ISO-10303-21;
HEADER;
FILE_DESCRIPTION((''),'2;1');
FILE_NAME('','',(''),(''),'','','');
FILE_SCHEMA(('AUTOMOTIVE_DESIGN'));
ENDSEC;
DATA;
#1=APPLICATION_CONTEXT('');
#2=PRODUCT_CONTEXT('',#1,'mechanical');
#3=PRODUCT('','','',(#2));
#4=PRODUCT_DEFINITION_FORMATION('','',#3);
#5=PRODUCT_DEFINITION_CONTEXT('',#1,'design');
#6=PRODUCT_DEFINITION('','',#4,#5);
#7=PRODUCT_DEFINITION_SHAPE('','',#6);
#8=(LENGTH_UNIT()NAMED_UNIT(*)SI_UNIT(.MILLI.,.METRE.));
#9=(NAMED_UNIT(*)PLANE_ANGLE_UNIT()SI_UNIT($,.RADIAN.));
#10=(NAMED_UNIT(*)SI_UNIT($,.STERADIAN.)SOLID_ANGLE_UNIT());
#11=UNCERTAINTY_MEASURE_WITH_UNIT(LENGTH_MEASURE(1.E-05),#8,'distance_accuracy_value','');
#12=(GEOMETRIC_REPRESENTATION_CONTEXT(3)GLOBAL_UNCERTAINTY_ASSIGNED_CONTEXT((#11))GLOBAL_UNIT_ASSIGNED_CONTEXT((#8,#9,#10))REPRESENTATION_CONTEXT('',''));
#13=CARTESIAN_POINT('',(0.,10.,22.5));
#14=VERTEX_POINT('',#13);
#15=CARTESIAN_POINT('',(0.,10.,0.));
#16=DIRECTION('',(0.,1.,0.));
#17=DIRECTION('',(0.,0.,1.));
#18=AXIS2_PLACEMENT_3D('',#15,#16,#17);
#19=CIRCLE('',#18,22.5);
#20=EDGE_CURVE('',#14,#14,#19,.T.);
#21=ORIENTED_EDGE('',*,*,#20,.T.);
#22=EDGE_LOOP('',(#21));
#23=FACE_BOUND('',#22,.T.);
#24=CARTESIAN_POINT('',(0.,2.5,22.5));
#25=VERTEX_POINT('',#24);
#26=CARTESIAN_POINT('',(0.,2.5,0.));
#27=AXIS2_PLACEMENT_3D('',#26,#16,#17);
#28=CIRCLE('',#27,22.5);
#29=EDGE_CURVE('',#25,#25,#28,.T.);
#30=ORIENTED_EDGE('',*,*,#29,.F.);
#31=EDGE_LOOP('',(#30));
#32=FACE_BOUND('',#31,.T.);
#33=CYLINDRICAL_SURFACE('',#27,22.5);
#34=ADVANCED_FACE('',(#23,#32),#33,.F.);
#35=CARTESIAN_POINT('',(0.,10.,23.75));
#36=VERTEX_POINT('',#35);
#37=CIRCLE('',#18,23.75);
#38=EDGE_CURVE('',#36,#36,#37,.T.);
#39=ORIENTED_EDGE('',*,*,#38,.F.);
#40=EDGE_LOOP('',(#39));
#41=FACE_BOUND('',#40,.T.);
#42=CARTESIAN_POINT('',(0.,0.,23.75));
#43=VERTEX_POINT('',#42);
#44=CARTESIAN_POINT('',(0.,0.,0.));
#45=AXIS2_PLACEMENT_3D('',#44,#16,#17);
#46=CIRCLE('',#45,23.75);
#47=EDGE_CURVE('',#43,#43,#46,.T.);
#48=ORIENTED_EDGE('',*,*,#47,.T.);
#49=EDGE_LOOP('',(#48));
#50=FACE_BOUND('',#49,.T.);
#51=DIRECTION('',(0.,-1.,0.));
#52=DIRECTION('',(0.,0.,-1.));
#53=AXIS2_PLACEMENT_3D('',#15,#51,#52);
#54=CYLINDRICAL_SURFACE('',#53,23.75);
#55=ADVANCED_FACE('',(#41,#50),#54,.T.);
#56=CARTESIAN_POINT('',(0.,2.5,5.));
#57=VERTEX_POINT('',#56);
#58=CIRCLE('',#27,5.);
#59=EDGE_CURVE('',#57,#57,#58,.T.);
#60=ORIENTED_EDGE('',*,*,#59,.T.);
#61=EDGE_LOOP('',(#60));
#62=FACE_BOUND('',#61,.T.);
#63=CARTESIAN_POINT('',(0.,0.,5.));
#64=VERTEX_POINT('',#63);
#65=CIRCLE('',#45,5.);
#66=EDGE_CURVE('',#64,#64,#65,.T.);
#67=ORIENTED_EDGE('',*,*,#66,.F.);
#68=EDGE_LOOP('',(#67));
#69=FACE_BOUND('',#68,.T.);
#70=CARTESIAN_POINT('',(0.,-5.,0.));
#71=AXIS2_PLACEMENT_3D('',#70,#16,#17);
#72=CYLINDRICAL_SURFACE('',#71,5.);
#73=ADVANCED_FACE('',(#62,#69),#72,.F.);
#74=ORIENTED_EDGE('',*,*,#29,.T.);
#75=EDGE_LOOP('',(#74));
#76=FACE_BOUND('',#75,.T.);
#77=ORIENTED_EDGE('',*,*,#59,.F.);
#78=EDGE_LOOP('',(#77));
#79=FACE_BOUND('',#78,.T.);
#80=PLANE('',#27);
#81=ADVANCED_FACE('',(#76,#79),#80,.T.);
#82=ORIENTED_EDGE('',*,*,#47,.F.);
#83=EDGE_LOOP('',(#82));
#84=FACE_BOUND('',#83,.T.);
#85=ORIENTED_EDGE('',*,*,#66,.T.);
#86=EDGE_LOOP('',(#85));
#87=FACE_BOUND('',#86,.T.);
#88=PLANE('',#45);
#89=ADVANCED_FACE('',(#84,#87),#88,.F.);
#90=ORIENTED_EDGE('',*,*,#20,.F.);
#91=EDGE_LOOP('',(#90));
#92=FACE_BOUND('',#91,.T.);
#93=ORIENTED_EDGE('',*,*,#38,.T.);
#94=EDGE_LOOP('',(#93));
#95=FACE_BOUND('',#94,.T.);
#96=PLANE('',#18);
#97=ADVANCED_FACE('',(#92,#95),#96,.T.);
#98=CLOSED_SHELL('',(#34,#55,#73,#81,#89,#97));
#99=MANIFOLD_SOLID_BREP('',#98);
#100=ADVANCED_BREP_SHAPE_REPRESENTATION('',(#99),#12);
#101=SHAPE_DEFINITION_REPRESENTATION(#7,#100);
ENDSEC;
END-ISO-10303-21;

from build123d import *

# Parameters (mm, degrees)
SKETCH1_R           = 23.75
BOSS_EXTRUDE1_DEPTH = 10
SKETCH2_R           = 22.5
CUT_EXTRUDE1_DEPTH  = 7.5
SKETCH3_R           = 5
CUT_EXTRUDE2_DEPTH  = 7.5


with BuildPart() as part:
    # Sketch1 → Boss-Extrude1 (new body)
    with BuildSketch(Plane(origin=(0, 0, 0), x_dir=(1, 0, 0), z_dir=(0, 1, 0))):
        Circle(SKETCH1_R)
    extrude(amount=BOSS_EXTRUDE1_DEPTH)

    # Sketch2 → Cut-Extrude1 (cut)
    with BuildSketch(Plane(origin=(0, 10, 0), x_dir=(1, 0, 0), z_dir=(0, 1, 0))):
        Circle(SKETCH2_R)
    extrude(amount=-CUT_EXTRUDE1_DEPTH, mode=Mode.SUBTRACT)

    # Sketch3 → Cut-Extrude2 (cut)
    with BuildSketch(Plane(origin=(0, 2.5, 0), x_dir=(1, 0, 0), z_dir=(0, 1, 0))):
        Circle(SKETCH3_R)
    extrude(amount=-CUT_EXTRUDE2_DEPTH, mode=Mode.SUBTRACT)


solid = part.part
